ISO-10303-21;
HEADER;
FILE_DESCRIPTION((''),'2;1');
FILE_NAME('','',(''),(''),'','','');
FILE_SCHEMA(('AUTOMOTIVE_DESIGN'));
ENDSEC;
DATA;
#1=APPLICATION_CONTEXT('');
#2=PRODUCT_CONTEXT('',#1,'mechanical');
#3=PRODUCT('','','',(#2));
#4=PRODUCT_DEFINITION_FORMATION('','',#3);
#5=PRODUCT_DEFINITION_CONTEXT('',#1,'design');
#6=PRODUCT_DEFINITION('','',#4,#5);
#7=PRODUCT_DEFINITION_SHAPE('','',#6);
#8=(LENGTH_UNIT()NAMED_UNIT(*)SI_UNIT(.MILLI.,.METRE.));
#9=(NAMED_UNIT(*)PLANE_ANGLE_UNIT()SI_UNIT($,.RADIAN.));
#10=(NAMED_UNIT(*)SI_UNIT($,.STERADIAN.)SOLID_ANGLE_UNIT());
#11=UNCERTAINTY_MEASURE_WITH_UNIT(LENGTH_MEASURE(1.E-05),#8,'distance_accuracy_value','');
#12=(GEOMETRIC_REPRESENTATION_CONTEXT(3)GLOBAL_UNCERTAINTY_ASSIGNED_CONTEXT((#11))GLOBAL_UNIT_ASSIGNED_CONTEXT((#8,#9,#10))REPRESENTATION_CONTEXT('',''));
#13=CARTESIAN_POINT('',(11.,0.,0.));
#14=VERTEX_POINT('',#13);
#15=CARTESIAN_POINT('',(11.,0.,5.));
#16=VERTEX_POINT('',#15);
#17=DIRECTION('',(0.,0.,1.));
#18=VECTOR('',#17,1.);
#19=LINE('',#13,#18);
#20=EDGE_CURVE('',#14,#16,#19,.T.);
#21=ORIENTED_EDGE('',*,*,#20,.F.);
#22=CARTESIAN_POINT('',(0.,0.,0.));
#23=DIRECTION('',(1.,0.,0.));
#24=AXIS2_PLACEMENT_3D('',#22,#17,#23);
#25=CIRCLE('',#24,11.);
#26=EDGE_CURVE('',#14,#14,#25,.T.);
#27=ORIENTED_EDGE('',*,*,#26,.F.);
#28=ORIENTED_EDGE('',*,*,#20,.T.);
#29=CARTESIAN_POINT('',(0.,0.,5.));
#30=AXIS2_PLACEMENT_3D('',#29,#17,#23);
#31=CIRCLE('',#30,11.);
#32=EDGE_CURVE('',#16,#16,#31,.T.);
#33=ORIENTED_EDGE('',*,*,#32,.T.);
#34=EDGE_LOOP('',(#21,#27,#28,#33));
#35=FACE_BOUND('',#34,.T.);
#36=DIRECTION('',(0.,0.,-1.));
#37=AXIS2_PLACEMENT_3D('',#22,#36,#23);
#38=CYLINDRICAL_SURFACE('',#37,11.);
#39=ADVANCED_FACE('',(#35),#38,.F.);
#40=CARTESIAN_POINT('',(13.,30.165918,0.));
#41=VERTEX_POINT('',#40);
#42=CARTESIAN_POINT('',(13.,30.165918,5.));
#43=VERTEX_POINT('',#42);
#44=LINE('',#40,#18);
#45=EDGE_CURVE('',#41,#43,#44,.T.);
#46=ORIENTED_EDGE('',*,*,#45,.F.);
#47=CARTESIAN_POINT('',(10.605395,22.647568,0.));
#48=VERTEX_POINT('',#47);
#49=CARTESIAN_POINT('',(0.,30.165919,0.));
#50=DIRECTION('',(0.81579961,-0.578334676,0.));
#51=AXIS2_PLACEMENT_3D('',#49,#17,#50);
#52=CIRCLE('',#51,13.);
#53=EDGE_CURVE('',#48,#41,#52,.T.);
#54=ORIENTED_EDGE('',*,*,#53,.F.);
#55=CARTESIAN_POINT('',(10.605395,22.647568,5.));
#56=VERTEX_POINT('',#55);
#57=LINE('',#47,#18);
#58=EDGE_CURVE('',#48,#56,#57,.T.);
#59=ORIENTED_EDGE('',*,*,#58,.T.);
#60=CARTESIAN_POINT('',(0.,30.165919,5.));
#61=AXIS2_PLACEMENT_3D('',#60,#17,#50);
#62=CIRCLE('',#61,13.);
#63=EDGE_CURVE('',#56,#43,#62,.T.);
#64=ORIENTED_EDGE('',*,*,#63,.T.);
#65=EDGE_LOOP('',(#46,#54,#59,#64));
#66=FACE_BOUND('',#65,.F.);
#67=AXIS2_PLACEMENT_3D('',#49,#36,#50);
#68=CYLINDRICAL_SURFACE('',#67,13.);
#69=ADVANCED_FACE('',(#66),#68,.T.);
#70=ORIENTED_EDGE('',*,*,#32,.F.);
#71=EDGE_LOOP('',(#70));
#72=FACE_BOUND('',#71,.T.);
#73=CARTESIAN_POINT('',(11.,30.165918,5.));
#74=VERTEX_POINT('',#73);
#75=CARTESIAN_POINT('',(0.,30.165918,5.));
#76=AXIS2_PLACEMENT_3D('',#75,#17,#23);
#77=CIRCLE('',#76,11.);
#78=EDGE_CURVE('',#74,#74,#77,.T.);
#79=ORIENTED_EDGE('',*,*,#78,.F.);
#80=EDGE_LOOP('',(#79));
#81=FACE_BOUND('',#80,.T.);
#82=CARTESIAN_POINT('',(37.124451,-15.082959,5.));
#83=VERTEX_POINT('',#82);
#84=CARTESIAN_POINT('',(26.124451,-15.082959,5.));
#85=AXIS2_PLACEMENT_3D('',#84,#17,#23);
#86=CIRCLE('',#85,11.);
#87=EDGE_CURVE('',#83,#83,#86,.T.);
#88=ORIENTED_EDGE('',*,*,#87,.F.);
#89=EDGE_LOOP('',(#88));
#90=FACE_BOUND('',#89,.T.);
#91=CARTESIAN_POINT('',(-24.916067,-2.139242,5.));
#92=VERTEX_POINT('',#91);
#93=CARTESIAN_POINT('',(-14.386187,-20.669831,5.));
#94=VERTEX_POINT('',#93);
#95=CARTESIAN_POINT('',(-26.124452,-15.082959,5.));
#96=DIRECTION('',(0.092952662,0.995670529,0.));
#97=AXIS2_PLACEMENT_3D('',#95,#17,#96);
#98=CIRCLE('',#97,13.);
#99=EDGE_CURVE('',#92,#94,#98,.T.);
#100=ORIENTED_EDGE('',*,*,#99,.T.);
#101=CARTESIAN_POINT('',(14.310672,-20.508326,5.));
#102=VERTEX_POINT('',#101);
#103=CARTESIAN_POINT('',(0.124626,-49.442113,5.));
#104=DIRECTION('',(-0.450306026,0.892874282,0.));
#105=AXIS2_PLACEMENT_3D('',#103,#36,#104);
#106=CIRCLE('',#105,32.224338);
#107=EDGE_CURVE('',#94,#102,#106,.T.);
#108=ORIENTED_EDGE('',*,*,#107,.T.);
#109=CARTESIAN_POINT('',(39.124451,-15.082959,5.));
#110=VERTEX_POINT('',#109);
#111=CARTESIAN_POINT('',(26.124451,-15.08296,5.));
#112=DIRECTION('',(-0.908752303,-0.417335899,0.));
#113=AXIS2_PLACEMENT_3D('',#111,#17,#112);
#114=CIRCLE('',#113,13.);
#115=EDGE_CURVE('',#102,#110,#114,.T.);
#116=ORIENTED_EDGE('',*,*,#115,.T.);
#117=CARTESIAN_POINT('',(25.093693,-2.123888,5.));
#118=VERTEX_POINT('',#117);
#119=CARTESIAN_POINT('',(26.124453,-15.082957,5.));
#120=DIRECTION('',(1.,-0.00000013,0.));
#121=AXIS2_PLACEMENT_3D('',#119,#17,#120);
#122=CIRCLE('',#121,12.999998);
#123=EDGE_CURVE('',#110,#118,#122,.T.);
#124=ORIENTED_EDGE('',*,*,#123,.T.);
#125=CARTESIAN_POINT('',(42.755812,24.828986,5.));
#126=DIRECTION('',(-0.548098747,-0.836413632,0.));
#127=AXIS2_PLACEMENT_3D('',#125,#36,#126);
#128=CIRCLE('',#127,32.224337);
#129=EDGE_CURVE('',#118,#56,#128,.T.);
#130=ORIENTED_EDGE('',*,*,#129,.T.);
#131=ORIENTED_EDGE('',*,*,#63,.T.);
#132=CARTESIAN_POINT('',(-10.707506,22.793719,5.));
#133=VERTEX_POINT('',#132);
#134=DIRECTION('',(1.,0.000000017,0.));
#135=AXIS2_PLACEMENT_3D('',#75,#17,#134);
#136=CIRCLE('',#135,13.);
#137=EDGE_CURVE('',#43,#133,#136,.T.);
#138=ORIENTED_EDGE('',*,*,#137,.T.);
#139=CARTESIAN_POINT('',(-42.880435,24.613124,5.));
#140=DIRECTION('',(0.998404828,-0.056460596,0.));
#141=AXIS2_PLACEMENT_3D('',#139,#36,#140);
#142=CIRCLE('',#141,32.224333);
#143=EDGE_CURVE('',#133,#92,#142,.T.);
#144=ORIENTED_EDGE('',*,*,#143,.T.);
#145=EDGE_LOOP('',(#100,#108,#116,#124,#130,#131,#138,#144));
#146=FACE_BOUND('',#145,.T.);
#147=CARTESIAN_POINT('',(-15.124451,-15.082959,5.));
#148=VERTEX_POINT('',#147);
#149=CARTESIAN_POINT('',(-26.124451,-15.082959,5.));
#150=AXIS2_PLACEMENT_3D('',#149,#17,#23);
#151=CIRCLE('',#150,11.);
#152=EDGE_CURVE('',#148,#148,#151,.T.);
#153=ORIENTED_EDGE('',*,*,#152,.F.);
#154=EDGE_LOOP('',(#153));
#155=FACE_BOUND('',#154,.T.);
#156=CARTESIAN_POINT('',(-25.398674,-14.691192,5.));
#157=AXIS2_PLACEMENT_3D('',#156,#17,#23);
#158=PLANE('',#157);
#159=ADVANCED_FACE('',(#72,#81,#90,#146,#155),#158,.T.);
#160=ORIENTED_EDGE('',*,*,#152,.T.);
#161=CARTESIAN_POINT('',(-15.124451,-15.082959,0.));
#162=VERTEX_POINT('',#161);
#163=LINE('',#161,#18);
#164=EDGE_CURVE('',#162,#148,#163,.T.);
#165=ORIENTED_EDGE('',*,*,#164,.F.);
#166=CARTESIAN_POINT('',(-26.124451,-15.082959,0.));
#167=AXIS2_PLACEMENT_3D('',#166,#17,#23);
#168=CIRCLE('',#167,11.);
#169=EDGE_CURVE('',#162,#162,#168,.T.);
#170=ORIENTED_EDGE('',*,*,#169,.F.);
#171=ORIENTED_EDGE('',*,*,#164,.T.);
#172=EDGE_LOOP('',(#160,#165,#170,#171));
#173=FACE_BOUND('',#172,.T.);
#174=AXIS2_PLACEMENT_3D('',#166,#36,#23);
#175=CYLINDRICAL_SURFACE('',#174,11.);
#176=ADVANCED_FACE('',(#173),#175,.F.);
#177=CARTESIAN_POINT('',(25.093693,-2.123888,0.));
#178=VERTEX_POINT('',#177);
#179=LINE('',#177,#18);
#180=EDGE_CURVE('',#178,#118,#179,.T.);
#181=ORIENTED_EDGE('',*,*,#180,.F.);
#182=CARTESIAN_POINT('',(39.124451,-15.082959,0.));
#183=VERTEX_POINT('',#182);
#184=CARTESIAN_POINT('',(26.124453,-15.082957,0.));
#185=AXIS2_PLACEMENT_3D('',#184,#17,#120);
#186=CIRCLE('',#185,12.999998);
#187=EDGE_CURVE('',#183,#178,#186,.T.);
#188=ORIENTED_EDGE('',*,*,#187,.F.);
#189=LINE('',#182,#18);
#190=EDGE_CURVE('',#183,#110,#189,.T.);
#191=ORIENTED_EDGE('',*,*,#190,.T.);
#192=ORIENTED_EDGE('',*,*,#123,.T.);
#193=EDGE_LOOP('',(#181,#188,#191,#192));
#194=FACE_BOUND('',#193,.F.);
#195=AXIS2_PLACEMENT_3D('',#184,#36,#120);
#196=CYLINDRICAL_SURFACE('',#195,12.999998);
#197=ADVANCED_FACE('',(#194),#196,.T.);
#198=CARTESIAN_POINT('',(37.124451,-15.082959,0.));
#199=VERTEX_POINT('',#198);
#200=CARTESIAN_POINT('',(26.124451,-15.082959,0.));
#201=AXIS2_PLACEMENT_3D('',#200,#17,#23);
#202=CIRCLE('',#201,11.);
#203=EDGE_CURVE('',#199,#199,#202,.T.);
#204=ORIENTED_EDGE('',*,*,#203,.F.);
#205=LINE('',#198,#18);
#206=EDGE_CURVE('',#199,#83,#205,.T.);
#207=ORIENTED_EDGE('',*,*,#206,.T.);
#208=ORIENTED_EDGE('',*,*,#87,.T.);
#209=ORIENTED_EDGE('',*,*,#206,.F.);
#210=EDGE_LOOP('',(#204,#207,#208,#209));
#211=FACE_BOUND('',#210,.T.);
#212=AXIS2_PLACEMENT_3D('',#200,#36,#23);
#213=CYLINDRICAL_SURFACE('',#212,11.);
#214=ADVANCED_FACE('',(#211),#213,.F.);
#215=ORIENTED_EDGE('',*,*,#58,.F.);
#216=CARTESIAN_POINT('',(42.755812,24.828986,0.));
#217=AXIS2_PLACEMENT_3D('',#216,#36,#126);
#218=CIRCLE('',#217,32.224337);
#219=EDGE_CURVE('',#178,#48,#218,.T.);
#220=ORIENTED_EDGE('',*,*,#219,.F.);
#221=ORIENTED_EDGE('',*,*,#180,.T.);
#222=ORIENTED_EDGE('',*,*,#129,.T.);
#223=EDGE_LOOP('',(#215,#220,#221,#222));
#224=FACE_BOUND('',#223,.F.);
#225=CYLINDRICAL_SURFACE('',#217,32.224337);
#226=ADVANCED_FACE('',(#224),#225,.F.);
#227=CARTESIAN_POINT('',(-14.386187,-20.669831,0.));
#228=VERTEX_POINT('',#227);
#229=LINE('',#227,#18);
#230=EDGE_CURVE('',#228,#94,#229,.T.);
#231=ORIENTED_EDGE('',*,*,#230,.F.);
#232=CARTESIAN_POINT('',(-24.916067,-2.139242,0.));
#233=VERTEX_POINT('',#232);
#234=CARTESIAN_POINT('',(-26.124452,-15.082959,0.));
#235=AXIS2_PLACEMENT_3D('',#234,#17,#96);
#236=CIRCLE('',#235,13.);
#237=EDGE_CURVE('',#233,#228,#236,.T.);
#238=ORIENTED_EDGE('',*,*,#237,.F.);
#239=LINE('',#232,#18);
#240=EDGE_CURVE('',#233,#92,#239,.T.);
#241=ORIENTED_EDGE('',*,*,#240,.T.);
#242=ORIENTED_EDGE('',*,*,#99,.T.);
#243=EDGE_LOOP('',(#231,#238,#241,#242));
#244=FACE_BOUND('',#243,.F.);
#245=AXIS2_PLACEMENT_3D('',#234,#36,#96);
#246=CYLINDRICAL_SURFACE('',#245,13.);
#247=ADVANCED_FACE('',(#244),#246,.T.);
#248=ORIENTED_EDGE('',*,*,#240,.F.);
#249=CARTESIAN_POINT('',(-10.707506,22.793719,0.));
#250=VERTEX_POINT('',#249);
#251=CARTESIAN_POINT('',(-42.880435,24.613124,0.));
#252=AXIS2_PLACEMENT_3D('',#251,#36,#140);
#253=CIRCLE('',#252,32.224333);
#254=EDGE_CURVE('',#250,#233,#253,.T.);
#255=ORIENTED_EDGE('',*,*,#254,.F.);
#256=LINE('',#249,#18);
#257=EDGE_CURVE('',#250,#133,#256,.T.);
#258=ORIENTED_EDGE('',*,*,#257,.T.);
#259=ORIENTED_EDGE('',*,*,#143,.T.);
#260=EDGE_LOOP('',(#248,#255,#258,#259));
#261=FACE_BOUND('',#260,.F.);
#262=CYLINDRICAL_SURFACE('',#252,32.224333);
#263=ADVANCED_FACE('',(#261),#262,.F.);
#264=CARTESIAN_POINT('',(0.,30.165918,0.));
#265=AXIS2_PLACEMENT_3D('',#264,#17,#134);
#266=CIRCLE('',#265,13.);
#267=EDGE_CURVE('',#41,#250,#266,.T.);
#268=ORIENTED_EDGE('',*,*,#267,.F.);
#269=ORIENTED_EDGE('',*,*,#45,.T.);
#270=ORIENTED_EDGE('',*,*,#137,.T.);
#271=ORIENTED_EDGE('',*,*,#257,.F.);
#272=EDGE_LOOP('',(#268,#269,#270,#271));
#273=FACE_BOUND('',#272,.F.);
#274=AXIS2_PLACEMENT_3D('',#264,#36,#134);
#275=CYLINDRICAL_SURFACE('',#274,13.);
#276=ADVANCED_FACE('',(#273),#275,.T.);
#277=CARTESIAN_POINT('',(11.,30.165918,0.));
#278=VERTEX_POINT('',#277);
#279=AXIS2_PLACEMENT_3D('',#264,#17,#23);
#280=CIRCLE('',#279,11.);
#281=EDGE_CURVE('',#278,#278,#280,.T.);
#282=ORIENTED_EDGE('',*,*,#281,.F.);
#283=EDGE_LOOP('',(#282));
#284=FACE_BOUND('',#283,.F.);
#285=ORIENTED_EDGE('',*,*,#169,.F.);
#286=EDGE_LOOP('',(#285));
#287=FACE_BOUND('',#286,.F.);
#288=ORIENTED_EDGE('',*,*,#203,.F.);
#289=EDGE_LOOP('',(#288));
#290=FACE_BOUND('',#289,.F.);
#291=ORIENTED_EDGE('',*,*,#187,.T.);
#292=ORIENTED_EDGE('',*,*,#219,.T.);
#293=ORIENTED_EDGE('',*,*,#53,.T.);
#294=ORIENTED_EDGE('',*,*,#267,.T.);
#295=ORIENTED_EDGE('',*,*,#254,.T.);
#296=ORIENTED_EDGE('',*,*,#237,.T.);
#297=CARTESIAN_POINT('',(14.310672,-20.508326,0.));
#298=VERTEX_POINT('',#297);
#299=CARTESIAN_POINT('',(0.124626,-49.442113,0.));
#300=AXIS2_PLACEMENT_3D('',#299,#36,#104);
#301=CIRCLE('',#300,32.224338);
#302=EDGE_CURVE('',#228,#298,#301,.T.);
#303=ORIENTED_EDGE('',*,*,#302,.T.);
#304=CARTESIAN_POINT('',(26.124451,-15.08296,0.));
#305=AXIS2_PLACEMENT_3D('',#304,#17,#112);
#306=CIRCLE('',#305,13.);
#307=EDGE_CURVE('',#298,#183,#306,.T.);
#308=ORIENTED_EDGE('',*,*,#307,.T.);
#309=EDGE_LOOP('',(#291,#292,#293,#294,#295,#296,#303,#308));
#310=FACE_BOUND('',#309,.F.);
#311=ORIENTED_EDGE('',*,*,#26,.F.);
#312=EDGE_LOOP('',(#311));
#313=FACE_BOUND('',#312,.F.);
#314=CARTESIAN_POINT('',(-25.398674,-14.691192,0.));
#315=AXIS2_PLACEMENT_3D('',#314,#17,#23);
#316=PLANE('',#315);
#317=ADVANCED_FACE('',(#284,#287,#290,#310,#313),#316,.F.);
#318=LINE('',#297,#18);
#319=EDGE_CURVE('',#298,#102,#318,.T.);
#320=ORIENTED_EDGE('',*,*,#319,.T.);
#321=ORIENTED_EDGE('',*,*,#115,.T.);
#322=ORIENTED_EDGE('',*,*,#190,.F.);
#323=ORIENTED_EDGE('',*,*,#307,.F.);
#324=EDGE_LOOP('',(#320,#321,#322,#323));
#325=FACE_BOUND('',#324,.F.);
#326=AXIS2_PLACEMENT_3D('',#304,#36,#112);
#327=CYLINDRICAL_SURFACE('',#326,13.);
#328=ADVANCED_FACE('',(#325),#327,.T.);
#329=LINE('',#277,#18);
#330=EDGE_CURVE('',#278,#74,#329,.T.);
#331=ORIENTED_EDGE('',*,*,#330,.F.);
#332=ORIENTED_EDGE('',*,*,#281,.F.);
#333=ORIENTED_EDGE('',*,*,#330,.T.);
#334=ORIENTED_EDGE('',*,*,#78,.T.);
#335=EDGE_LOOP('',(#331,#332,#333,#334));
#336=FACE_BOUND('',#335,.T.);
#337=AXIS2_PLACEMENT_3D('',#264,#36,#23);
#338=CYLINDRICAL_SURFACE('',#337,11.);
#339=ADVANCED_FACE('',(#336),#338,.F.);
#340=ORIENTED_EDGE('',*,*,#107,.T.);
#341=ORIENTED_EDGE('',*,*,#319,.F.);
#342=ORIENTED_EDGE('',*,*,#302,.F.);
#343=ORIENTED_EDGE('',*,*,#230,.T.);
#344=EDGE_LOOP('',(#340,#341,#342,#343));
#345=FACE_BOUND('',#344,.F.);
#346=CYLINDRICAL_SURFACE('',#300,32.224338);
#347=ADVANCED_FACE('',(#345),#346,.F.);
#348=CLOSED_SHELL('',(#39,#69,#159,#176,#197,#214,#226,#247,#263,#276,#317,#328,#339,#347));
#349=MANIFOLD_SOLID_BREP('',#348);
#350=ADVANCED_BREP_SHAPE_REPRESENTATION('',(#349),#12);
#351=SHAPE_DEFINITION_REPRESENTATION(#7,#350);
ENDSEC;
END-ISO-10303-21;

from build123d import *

# Parameters (mm, degrees)
F0_R     = 11
F1_DEPTH = 5


with BuildPart() as f1:
    # F0 (on Top) → F1 (new body)
    with BuildSketch(Plane.XY):
        with BuildLine():
            ThreePointArc((-13.124451, -15.082959), (-16.514327, -6.328217), (-24.916067, -2.139242))
            ThreePointArc((-24.916067, -2.139242), (-37.427089, -21.505605), (-14.386187, -20.669831))
            ThreePointArc((-14.386187, -20.669831), (-13.443808, -17.946747), (-13.124451, -15.082959))
        make_face()
        with Locations((-26.124451, -15.082959)):
            Circle(F0_R, mode=Mode.SUBTRACT)
        with BuildLine():
            ThreePointArc((39.124451, -15.082959), (34.944886, -5.533093), (25.093693, -2.123888))
            ThreePointArc((25.093693, -2.123888), (14.910958, -8.505911), (14.310672, -20.508326))
            ThreePointArc((14.310672, -20.508326), (28.901218, -27.782942), (39.124451, -15.082959))
        make_face()
        with Locations((26.124451, -15.082959)):
            Circle(F0_R, mode=Mode.SUBTRACT)
        with BuildLine():
            ThreePointArc((10.605395, 22.647568), (12.386891, 26.220677), (13, 30.165918))
            ThreePointArc((13, 30.165918), (-3.860209, 42.579571), (-10.707506, 22.793719))
            ThreePointArc((-10.707506, 22.793719), (-0.089144, 17.166224), (10.605395, 22.647568))
        make_face()
        with Locations((0, 30.165918)):
            Circle(F0_R, mode=Mode.SUBTRACT)
        with BuildLine():
            ThreePointArc((10.605395, 22.647568), (-0.089144, 17.166224), (-10.707506, 22.793719))
            ThreePointArc((-10.707506, 22.793719), (-14.883109, 8.658271), (-24.916067, -2.139242))
            ThreePointArc((-24.916067, -2.139242), (-16.514327, -6.328217), (-13.124451, -15.082959))
            ThreePointArc((-13.124451, -15.082959), (-13.443808, -17.946747), (-14.386187, -20.669831))
            ThreePointArc((-14.386187, -20.669831), (-0.056728, -17.218286), (14.310672, -20.508326))
            ThreePointArc((14.310672, -20.508326), (14.910958, -8.505911), (25.093693, -2.123888))
            ThreePointArc((25.093693, -2.123888), (14.939837, 8.560015), (10.605395, 22.647568))
        make_face()
        Circle(F0_R, mode=Mode.SUBTRACT)
    extrude(amount=F1_DEPTH)


solid = f1.part
